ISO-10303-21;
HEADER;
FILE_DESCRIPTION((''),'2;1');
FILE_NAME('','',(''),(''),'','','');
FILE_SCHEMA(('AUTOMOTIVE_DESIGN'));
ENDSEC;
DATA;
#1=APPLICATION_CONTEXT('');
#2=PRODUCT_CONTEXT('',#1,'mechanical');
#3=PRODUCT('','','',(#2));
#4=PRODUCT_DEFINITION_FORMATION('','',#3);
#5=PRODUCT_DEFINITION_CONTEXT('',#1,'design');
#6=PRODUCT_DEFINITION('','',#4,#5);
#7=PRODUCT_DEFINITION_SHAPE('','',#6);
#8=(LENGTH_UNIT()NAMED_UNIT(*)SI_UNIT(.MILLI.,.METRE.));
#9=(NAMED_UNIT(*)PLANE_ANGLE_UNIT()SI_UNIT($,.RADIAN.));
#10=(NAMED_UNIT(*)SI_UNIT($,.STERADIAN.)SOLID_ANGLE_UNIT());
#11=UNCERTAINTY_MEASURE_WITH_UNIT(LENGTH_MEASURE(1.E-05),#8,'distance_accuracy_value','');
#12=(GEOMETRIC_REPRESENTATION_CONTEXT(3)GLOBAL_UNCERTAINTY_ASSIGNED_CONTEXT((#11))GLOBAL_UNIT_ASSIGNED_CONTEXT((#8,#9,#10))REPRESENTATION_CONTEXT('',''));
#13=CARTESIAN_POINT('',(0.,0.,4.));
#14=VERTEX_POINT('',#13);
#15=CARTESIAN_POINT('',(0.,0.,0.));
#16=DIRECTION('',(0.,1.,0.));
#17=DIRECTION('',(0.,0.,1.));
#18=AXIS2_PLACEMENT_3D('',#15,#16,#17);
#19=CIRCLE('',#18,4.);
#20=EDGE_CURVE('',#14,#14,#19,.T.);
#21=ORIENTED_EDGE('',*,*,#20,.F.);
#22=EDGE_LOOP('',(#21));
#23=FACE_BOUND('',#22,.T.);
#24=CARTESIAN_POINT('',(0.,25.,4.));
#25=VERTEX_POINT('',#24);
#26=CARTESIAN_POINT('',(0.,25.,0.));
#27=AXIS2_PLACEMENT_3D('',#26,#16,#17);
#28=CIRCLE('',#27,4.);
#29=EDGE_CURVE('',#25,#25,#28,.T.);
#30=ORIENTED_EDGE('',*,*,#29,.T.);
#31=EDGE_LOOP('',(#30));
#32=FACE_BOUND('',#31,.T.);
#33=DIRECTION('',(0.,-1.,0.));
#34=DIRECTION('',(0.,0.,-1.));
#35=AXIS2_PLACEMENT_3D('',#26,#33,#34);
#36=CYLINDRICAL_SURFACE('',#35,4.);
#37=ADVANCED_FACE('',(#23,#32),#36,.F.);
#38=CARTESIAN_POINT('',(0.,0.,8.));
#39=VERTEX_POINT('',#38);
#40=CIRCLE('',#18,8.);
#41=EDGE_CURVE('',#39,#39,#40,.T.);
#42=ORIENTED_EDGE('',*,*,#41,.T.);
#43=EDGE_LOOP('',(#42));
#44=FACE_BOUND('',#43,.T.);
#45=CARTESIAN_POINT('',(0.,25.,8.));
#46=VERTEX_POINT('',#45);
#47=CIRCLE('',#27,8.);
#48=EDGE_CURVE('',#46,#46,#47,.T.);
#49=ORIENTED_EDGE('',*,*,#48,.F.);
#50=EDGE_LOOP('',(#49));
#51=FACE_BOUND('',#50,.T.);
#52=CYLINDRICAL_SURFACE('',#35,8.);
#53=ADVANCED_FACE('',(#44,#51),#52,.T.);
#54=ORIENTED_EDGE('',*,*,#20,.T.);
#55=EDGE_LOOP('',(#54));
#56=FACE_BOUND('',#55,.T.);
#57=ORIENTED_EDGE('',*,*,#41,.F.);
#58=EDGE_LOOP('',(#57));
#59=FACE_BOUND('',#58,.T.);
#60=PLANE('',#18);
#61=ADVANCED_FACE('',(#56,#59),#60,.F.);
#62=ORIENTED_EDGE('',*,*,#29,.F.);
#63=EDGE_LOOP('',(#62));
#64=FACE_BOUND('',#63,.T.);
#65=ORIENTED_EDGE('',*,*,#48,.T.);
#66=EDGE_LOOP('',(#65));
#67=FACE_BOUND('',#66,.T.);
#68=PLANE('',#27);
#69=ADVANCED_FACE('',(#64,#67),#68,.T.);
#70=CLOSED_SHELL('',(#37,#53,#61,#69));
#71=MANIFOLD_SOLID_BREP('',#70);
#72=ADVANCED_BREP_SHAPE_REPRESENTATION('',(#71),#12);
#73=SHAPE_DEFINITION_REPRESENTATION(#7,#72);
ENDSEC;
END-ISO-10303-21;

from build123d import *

# Parameters (mm, degrees)
SKETCH1_R           = 8
SKETCH1_R_2         = 4
BOSS_EXTRUDE1_DEPTH = 25


with BuildPart() as part:
    # Sketch1 → Boss-Extrude1 (new body)
    with BuildSketch(Plane(origin=(0, 0, 0), x_dir=(1, 0, 0), z_dir=(0, 1, 0))):
        with Locations(Location((0, 0, 0), (0, 0, 270))):  # turned: the seam where the file's is
            Circle(SKETCH1_R)
        with Locations(Location((0, 0, 0), (0, 0, 270))):  # turned: the seam where the file's is
            Circle(SKETCH1_R_2, mode=Mode.SUBTRACT)
    extrude(amount=BOSS_EXTRUDE1_DEPTH)


solid = part.part
